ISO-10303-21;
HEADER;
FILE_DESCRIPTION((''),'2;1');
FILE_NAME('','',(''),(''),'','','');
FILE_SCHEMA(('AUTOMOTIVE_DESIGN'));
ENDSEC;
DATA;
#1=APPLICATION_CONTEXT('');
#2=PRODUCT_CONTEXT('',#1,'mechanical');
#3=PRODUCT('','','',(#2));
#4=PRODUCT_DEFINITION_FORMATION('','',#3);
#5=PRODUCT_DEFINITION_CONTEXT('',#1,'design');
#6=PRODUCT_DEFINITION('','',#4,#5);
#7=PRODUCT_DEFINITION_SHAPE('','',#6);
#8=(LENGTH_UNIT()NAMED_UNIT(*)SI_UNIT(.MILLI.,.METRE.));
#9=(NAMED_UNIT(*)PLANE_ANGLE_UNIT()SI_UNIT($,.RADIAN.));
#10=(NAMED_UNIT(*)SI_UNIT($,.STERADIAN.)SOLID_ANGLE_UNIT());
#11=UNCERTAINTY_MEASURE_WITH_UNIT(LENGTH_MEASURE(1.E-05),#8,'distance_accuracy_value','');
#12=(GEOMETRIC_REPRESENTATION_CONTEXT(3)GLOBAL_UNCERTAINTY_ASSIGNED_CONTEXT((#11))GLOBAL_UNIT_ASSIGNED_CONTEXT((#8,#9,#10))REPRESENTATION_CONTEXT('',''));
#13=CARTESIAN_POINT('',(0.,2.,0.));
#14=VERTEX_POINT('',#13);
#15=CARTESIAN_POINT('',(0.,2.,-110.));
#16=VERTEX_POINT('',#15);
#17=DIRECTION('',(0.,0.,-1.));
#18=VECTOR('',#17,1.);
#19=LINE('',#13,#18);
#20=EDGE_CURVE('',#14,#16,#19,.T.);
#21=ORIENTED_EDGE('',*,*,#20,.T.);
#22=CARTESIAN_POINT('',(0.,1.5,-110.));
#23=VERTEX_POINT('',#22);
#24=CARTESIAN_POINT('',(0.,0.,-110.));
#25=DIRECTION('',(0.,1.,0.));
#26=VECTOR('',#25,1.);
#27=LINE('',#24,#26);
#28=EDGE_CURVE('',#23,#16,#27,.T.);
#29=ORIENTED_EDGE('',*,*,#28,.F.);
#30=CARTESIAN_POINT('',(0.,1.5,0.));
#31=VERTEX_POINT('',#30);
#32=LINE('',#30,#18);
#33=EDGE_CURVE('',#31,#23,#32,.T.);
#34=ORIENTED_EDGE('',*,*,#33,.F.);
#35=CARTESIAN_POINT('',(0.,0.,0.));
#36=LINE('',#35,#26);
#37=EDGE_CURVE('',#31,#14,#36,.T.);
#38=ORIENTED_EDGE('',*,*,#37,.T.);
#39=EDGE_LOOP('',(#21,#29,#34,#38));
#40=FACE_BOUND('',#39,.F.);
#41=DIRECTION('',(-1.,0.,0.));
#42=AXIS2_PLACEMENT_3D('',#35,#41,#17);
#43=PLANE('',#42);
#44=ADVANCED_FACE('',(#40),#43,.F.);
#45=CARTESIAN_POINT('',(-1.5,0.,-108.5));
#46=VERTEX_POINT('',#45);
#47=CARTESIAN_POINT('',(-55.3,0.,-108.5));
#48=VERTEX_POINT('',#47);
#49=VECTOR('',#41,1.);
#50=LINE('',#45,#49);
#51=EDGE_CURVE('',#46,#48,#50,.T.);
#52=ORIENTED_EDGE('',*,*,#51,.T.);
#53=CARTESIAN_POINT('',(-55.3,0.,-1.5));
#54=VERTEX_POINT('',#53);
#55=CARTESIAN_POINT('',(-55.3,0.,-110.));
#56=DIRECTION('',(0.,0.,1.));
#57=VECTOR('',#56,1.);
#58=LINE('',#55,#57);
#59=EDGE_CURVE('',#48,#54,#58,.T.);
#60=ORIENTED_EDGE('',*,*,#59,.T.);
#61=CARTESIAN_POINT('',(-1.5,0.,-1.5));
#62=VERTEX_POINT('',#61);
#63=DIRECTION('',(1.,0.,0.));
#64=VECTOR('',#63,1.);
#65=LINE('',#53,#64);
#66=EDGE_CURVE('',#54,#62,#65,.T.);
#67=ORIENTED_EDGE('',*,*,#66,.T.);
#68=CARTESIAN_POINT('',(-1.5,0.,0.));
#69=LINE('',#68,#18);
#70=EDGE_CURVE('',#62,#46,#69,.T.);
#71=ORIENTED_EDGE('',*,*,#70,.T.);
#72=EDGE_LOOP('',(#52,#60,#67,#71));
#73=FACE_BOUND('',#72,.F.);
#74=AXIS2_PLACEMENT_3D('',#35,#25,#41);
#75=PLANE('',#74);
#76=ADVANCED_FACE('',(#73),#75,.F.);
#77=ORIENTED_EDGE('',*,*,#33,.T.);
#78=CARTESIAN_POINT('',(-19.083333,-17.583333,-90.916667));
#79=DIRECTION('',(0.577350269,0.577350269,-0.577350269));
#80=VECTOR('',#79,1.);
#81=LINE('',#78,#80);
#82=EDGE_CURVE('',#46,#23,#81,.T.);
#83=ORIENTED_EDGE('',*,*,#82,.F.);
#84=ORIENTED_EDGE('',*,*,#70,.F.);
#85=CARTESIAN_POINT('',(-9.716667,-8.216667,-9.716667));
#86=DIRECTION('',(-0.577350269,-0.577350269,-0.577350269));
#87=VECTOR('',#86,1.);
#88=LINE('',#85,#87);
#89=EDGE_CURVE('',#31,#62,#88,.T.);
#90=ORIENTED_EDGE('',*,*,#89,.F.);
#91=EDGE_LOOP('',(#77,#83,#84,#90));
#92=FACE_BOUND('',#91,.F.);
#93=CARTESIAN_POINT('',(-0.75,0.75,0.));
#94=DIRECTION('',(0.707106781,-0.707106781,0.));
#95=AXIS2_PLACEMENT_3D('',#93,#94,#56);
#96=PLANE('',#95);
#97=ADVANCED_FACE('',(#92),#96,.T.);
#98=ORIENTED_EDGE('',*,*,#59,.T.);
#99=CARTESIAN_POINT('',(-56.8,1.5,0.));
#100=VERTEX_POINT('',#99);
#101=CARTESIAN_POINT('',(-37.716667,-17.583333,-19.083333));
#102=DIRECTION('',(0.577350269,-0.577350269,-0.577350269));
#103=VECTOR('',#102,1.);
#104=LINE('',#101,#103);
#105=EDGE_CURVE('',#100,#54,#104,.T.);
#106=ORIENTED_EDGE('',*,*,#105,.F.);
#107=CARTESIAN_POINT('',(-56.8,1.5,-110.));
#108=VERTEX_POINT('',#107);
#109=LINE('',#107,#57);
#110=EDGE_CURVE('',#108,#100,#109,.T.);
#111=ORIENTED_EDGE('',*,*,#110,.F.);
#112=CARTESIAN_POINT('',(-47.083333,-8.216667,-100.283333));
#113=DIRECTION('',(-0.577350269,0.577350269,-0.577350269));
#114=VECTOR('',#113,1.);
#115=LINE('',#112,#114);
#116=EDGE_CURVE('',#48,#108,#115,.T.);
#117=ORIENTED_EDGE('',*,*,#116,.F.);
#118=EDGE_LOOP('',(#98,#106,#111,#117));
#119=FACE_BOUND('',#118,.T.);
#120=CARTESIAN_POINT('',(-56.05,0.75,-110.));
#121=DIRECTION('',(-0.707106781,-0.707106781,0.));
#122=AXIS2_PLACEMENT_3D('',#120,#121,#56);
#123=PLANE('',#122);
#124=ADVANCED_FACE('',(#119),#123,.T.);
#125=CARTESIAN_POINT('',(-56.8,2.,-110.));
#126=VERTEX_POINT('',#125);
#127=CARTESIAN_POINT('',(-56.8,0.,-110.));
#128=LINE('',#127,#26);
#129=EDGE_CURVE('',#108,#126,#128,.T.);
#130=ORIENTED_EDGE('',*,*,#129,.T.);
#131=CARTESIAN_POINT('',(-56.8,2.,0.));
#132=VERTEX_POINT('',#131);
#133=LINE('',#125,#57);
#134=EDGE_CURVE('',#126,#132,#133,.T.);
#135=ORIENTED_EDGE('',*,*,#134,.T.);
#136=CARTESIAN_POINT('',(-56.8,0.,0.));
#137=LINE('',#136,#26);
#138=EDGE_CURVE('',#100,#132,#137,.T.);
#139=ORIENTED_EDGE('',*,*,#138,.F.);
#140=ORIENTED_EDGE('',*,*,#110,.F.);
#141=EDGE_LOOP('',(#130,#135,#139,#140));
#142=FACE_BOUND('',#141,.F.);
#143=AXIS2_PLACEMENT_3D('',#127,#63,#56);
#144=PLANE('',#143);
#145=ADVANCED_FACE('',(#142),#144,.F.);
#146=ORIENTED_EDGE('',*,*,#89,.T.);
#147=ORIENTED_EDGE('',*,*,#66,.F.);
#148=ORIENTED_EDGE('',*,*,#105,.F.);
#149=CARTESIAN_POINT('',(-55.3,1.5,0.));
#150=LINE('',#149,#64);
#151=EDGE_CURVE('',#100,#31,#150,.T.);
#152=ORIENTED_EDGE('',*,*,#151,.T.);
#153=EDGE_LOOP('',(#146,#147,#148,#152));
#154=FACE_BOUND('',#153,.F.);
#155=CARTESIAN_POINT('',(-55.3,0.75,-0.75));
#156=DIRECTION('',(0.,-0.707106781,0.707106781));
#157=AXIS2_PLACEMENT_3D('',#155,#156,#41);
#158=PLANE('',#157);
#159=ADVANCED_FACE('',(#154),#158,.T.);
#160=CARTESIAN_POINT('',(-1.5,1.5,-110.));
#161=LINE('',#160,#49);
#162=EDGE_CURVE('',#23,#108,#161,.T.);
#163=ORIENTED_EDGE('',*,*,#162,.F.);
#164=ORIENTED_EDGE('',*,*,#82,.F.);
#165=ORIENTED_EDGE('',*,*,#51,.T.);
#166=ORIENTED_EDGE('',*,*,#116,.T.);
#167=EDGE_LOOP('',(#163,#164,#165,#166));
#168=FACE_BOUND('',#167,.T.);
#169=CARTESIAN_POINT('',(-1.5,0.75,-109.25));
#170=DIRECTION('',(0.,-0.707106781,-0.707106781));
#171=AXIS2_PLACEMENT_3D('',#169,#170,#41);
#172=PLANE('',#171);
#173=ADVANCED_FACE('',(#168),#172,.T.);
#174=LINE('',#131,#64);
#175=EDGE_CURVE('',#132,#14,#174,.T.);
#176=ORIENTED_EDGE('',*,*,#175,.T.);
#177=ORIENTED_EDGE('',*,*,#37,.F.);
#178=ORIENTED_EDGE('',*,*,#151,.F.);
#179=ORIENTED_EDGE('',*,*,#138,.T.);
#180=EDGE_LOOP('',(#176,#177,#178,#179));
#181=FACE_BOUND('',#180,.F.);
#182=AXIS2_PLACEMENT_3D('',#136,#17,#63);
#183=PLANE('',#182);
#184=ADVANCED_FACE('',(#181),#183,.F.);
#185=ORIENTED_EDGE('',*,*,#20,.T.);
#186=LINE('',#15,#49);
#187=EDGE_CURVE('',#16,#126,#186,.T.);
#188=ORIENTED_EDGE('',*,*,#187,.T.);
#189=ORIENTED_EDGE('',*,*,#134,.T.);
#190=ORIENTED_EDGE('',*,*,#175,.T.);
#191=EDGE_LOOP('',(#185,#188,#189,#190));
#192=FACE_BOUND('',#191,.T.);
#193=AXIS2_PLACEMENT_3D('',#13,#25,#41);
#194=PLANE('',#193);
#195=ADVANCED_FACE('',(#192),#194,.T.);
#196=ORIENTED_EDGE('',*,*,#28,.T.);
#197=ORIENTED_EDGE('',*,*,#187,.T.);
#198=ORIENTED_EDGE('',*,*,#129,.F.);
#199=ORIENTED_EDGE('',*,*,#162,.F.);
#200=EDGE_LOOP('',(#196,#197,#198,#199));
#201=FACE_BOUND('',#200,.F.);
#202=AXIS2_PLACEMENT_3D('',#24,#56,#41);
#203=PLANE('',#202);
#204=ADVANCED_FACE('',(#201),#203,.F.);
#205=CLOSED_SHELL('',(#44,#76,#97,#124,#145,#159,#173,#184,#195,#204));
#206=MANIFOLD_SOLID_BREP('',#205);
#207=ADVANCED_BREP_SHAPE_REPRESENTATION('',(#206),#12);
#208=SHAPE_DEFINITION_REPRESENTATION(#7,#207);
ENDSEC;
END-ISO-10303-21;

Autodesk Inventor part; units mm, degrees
ref_plane "YZ Plane" through (0, 0, 0) normal (1, 0, 0) x (0, 1, 0)
ref_plane "XZ Plane" through (0, 0, 0) normal (0, 1, 0) x (-1, 0, 0)
ref_plane "XY Plane" through (0, 0, 0) normal (0, 0, 1) x (1, 0, 0)
sketch "Sketch1" plane through (0, 0, 0) normal (0, 1, 0) x (-1, 0, 0)
  line L0 (0, 0) -> (0, -110)
  line L1 (0, -110) -> (56.8, -110)
  line L2 (56.8, -110) -> (56.8, 0)
  line L3 (56.8, 0) -> (0, 0)
  dimension "d0" = 110
  dimension "d1" = 56.8
extrude "Extrusion1" add sketch "Sketch1" along normal blind 2
chamfer "Chamfer1" distance 1.5 angle 45 1 edges at (0, 0, -55)
chamfer "Chamfer2" distance 1.5 angle 45 1 edges at (-56.8, 0, -55)
chamfer "Chamfer3" distance 1.5 angle 45 2 edges at (-28.4, 0, 0) (-28.4, 0, -110)
properties part number "priklop"
